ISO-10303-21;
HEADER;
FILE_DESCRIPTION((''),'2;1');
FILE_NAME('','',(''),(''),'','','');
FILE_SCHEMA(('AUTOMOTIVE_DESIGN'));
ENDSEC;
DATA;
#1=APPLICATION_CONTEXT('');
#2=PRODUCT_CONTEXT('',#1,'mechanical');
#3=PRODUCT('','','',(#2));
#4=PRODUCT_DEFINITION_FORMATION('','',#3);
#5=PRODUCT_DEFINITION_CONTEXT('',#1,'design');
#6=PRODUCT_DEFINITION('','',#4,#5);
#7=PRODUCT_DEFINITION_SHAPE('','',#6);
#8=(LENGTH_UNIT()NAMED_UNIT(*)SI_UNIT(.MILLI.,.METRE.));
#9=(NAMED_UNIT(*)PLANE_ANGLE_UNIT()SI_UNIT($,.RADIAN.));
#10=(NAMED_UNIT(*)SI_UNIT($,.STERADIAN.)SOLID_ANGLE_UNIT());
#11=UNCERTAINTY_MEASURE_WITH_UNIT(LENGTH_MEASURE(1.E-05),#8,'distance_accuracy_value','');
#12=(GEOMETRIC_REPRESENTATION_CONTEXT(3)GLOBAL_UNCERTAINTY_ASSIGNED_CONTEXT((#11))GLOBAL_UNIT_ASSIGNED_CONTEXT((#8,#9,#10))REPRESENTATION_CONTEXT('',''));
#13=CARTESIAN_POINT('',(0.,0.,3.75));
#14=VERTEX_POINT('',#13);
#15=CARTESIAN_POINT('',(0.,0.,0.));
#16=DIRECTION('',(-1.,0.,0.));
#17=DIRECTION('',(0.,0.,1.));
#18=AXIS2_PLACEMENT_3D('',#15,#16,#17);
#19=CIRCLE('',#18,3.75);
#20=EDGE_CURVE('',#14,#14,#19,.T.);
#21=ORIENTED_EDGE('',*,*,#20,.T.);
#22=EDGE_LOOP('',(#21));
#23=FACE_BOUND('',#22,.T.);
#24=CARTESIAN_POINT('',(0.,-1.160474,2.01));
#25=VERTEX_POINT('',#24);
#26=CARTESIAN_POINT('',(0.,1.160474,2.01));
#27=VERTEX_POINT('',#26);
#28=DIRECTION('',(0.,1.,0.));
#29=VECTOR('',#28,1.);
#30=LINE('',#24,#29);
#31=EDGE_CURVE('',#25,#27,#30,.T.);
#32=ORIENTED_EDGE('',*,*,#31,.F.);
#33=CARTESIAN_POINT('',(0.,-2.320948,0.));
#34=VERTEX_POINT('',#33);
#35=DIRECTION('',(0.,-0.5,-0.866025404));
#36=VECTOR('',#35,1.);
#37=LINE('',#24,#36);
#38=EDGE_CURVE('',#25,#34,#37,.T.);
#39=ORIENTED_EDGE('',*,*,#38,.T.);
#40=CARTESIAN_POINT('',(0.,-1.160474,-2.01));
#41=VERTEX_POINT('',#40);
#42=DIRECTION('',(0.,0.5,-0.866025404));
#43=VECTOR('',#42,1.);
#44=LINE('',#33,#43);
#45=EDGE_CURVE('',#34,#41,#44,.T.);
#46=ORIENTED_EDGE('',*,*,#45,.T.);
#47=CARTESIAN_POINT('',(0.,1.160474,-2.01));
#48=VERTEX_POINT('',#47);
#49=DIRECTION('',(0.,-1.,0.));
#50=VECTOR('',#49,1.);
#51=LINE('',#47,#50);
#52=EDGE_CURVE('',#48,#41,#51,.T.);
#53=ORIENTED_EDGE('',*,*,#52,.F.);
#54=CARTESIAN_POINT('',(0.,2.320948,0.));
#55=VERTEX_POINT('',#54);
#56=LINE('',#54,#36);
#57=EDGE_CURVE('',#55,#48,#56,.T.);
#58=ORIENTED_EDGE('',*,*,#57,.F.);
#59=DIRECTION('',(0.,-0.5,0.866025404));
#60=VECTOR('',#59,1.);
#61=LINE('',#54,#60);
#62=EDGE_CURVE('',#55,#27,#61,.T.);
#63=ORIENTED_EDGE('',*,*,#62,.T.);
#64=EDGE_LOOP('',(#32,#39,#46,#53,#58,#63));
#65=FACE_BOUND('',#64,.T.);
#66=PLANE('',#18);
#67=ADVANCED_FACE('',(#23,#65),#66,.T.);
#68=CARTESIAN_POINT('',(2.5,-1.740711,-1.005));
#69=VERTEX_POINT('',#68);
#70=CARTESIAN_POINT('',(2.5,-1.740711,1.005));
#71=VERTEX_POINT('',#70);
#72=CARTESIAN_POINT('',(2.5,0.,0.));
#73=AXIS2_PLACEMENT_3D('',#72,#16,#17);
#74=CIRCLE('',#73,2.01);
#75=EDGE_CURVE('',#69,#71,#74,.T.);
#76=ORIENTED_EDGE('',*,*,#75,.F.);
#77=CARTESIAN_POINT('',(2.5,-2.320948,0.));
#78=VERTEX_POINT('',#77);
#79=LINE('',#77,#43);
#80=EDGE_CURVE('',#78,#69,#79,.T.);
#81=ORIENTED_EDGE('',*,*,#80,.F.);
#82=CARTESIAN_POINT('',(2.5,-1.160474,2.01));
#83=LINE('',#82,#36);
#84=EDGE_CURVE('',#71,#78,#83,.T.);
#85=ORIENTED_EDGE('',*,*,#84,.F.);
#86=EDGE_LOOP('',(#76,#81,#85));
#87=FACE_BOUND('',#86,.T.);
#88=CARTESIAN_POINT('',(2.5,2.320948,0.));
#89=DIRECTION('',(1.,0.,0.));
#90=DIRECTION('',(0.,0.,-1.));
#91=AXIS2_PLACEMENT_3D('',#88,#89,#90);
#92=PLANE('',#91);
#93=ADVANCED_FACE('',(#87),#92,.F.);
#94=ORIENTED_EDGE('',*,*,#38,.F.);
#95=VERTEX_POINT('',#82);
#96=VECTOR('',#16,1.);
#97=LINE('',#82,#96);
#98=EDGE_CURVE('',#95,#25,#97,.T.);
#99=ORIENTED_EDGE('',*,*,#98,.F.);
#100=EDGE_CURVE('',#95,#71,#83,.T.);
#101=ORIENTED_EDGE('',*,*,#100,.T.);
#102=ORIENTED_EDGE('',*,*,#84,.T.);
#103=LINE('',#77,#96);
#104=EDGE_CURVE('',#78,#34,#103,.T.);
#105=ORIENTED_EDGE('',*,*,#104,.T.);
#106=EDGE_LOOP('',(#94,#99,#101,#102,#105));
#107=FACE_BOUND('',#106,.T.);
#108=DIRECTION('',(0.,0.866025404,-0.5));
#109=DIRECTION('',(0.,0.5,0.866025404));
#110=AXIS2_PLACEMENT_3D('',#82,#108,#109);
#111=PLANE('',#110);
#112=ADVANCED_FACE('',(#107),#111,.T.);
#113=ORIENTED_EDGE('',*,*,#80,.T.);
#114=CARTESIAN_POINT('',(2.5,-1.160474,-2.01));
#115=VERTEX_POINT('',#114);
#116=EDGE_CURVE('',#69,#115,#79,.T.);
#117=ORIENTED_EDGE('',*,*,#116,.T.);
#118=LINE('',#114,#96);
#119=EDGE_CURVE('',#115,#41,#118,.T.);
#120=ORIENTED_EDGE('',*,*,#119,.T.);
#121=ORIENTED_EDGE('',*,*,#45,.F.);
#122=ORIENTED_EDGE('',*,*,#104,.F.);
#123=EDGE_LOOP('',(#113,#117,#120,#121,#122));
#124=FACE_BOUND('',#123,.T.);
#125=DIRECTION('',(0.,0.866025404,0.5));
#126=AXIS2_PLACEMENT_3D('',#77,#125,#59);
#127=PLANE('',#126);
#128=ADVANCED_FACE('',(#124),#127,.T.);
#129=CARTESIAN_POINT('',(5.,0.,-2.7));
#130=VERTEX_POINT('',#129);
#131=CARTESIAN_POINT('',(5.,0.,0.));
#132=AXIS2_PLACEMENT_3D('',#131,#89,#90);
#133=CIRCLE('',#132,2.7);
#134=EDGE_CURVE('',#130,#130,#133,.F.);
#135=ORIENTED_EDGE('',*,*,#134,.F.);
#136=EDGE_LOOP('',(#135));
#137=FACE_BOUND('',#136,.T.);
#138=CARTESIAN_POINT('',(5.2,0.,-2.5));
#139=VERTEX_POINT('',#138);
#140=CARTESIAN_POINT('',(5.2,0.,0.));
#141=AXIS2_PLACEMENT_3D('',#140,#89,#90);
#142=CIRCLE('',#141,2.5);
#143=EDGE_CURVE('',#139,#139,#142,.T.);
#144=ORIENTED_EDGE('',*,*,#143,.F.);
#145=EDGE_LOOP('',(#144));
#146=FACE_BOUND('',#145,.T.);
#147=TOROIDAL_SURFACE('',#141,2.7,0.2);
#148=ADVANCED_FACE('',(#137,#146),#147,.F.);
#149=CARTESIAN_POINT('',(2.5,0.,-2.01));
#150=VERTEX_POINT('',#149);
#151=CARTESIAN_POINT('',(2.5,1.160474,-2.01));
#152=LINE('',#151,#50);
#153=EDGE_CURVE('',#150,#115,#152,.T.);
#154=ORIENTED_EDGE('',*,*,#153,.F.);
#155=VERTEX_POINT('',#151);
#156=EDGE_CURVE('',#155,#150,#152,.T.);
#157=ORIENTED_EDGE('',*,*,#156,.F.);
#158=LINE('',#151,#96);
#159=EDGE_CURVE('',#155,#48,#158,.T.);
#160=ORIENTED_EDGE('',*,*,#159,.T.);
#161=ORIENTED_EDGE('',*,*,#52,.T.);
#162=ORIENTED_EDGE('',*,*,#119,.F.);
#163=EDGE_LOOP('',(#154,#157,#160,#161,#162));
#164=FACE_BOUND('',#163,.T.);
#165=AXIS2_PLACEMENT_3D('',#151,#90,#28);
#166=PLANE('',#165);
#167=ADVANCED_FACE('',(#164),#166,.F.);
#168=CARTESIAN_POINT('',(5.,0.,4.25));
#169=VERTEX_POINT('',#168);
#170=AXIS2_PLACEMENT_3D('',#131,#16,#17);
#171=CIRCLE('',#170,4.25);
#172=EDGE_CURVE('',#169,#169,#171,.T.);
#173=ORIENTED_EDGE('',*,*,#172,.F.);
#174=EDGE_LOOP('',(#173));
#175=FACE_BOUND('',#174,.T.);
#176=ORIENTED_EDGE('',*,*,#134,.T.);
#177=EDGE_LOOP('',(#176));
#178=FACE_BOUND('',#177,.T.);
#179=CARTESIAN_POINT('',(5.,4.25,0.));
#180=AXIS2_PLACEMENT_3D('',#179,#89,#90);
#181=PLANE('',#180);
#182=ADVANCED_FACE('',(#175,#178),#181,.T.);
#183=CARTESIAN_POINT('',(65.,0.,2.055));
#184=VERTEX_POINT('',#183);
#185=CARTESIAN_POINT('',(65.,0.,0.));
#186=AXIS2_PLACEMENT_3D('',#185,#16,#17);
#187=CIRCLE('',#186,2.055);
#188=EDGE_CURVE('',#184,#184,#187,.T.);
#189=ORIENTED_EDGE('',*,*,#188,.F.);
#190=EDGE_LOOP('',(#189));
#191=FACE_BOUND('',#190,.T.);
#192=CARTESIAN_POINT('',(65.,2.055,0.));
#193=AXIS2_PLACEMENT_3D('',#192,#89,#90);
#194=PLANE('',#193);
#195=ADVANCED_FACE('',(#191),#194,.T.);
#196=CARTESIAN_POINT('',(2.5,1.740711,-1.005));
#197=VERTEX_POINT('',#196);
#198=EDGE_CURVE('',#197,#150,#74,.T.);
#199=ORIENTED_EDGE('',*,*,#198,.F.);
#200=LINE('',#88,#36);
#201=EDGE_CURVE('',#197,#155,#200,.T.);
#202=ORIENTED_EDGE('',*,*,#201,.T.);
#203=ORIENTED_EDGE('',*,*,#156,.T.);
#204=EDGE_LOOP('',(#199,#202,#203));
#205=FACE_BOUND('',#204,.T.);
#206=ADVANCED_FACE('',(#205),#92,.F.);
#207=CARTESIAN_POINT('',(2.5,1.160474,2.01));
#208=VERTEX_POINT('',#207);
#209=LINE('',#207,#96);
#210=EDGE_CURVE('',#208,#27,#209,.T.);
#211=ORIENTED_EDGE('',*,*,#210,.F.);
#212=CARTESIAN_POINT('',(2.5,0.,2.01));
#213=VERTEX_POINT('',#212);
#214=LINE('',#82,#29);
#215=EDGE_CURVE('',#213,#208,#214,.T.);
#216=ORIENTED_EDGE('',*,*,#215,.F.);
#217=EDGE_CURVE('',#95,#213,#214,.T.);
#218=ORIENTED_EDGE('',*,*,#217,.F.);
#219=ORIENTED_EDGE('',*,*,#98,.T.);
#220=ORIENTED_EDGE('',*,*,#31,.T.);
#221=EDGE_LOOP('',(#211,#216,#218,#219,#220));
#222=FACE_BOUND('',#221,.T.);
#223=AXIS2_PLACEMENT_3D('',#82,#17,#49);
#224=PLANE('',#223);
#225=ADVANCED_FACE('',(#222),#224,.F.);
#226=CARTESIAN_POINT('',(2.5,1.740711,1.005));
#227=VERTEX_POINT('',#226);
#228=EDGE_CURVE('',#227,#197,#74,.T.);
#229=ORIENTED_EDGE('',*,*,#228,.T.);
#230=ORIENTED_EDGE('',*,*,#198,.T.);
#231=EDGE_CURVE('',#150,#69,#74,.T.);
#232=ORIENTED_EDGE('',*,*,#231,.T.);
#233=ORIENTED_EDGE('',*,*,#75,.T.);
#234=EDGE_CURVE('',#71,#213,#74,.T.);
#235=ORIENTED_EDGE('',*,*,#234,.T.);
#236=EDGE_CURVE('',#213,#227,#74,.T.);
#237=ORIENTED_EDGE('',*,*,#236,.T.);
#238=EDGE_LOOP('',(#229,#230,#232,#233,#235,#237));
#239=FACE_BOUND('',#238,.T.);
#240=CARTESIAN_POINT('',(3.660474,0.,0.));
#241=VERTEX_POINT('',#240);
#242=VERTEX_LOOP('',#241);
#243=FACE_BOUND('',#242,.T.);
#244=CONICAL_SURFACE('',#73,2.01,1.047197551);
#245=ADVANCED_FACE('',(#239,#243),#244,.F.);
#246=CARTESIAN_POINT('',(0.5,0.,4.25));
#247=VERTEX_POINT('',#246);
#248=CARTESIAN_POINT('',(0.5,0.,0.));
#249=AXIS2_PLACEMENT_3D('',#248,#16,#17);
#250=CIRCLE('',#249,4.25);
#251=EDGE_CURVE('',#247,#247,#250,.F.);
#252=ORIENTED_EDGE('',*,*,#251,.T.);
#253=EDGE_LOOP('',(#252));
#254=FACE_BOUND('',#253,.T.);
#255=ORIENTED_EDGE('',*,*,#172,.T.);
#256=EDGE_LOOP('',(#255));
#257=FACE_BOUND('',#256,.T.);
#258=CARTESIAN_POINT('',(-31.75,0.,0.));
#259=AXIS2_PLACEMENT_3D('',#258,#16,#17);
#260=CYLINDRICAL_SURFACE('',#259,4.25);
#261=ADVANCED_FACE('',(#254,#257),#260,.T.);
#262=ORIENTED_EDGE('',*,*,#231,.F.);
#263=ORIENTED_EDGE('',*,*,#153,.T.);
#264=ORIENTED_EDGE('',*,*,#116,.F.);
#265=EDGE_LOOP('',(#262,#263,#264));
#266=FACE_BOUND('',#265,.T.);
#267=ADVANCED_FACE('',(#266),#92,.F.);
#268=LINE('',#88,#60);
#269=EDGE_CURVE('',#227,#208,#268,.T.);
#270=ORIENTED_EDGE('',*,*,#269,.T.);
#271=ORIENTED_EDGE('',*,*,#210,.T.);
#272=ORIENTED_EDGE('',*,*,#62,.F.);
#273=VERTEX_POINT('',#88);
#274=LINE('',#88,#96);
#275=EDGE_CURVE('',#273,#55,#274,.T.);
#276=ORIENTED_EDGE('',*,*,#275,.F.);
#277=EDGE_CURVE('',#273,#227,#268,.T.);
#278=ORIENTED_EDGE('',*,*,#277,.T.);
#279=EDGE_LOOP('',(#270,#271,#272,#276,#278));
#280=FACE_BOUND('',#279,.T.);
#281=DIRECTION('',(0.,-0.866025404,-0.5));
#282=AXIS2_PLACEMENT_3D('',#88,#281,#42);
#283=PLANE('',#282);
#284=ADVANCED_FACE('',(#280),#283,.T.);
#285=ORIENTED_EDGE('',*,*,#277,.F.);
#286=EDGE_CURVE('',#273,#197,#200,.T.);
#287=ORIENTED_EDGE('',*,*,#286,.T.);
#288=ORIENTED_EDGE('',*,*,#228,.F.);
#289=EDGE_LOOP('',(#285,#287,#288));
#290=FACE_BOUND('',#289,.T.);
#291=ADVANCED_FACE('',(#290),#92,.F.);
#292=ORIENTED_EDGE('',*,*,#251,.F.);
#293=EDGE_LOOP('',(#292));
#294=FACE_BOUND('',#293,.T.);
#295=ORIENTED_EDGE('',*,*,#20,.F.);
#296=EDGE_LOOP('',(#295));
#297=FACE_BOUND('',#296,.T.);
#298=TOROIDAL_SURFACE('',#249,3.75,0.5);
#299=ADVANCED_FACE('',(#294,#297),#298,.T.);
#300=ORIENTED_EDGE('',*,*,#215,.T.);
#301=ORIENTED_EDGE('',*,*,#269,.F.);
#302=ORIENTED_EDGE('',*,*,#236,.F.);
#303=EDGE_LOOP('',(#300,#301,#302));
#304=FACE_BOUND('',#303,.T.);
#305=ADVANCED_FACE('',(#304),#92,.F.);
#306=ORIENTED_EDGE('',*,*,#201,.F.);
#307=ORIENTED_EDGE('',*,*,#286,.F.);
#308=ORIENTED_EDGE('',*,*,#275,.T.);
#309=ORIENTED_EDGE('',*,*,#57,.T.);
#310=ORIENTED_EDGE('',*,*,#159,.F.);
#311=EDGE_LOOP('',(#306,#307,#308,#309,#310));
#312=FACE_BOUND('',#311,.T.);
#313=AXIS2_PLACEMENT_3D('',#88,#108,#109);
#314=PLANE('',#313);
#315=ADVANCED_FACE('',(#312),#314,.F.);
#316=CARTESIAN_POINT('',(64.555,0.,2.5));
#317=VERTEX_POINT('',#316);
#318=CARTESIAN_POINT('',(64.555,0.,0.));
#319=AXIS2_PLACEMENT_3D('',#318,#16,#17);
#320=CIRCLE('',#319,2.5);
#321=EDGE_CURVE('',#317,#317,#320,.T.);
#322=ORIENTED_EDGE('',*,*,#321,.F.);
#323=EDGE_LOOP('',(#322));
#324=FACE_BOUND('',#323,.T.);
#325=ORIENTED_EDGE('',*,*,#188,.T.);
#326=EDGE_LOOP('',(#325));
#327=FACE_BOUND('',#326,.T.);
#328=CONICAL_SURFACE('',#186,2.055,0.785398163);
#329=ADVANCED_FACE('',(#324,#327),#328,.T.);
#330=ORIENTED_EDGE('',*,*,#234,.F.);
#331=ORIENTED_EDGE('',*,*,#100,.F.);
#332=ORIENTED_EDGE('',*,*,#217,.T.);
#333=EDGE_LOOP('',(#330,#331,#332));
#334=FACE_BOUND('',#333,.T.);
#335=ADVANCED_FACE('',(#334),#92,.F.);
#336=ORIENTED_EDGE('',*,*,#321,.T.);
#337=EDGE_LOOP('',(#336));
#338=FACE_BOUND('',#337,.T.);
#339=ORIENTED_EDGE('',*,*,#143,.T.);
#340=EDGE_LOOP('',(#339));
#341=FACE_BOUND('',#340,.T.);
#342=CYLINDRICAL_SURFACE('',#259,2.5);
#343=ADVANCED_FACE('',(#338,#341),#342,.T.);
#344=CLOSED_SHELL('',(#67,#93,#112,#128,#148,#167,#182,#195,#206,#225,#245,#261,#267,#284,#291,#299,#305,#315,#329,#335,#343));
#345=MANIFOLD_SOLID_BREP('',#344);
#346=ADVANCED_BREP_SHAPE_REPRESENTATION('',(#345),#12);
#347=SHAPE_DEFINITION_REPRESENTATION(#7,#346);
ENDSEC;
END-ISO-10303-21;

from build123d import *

# Parameters (mm, degrees)
FILLET1_R   = 0.2
FILLET2_R   = 0.5
HEX_2_DEPTH = 2.5


with BuildPart() as part:
    # BodySke → Base-Revolve (revolve)
    with BuildSketch(Plane.XY):
        Polygon((0, 0), (0, 4.25), (5, 4.25), (5, 2.5), (64.555, 2.5), (65, 2.055), (65, 0), align=None)
    revolve(axis=Axis((-31.75, 0, 0), (1, 0, 0)))

    # Fillet1
    fillet1_edges = [part.edges().sort_by_distance(p)[0] for p in [
        (5, -2.5, 0),
    ]]
    fillet(fillet1_edges, radius=FILLET1_R)

    # Fillet2
    fillet2_edges = [part.edges().sort_by_distance(p)[0] for p in [
        (0, -4.25, 0),
    ]]
    fillet(fillet2_edges, radius=FILLET2_R)

    # Sketch2 → Hex-PreBroach (revolve, cut)
    with BuildSketch(Plane.XY):
        Polygon((0, 2.01), (2.5, 2.01), (3.660474041, 0), (0, 0), align=None)
    revolve(axis=Axis((0, 0, 0), (1, 0, 0)), mode=Mode.SUBTRACT)

    # Sketch3 → Hex 2 (cut)
    with BuildSketch(Plane(origin=(0, 0, 0), x_dir=(0, 0.5, 0.866025404), z_dir=(-1, 0, 0))):
        Polygon((1.160474041, 2.01), (-1.160474041, 2.01), (-2.320948082, 0), (-1.160474041, -2.01), (1.160474041, -2.01), (2.320948082, 0), align=None)
    extrude(amount=-HEX_2_DEPTH, mode=Mode.SUBTRACT)


solid = part.part
